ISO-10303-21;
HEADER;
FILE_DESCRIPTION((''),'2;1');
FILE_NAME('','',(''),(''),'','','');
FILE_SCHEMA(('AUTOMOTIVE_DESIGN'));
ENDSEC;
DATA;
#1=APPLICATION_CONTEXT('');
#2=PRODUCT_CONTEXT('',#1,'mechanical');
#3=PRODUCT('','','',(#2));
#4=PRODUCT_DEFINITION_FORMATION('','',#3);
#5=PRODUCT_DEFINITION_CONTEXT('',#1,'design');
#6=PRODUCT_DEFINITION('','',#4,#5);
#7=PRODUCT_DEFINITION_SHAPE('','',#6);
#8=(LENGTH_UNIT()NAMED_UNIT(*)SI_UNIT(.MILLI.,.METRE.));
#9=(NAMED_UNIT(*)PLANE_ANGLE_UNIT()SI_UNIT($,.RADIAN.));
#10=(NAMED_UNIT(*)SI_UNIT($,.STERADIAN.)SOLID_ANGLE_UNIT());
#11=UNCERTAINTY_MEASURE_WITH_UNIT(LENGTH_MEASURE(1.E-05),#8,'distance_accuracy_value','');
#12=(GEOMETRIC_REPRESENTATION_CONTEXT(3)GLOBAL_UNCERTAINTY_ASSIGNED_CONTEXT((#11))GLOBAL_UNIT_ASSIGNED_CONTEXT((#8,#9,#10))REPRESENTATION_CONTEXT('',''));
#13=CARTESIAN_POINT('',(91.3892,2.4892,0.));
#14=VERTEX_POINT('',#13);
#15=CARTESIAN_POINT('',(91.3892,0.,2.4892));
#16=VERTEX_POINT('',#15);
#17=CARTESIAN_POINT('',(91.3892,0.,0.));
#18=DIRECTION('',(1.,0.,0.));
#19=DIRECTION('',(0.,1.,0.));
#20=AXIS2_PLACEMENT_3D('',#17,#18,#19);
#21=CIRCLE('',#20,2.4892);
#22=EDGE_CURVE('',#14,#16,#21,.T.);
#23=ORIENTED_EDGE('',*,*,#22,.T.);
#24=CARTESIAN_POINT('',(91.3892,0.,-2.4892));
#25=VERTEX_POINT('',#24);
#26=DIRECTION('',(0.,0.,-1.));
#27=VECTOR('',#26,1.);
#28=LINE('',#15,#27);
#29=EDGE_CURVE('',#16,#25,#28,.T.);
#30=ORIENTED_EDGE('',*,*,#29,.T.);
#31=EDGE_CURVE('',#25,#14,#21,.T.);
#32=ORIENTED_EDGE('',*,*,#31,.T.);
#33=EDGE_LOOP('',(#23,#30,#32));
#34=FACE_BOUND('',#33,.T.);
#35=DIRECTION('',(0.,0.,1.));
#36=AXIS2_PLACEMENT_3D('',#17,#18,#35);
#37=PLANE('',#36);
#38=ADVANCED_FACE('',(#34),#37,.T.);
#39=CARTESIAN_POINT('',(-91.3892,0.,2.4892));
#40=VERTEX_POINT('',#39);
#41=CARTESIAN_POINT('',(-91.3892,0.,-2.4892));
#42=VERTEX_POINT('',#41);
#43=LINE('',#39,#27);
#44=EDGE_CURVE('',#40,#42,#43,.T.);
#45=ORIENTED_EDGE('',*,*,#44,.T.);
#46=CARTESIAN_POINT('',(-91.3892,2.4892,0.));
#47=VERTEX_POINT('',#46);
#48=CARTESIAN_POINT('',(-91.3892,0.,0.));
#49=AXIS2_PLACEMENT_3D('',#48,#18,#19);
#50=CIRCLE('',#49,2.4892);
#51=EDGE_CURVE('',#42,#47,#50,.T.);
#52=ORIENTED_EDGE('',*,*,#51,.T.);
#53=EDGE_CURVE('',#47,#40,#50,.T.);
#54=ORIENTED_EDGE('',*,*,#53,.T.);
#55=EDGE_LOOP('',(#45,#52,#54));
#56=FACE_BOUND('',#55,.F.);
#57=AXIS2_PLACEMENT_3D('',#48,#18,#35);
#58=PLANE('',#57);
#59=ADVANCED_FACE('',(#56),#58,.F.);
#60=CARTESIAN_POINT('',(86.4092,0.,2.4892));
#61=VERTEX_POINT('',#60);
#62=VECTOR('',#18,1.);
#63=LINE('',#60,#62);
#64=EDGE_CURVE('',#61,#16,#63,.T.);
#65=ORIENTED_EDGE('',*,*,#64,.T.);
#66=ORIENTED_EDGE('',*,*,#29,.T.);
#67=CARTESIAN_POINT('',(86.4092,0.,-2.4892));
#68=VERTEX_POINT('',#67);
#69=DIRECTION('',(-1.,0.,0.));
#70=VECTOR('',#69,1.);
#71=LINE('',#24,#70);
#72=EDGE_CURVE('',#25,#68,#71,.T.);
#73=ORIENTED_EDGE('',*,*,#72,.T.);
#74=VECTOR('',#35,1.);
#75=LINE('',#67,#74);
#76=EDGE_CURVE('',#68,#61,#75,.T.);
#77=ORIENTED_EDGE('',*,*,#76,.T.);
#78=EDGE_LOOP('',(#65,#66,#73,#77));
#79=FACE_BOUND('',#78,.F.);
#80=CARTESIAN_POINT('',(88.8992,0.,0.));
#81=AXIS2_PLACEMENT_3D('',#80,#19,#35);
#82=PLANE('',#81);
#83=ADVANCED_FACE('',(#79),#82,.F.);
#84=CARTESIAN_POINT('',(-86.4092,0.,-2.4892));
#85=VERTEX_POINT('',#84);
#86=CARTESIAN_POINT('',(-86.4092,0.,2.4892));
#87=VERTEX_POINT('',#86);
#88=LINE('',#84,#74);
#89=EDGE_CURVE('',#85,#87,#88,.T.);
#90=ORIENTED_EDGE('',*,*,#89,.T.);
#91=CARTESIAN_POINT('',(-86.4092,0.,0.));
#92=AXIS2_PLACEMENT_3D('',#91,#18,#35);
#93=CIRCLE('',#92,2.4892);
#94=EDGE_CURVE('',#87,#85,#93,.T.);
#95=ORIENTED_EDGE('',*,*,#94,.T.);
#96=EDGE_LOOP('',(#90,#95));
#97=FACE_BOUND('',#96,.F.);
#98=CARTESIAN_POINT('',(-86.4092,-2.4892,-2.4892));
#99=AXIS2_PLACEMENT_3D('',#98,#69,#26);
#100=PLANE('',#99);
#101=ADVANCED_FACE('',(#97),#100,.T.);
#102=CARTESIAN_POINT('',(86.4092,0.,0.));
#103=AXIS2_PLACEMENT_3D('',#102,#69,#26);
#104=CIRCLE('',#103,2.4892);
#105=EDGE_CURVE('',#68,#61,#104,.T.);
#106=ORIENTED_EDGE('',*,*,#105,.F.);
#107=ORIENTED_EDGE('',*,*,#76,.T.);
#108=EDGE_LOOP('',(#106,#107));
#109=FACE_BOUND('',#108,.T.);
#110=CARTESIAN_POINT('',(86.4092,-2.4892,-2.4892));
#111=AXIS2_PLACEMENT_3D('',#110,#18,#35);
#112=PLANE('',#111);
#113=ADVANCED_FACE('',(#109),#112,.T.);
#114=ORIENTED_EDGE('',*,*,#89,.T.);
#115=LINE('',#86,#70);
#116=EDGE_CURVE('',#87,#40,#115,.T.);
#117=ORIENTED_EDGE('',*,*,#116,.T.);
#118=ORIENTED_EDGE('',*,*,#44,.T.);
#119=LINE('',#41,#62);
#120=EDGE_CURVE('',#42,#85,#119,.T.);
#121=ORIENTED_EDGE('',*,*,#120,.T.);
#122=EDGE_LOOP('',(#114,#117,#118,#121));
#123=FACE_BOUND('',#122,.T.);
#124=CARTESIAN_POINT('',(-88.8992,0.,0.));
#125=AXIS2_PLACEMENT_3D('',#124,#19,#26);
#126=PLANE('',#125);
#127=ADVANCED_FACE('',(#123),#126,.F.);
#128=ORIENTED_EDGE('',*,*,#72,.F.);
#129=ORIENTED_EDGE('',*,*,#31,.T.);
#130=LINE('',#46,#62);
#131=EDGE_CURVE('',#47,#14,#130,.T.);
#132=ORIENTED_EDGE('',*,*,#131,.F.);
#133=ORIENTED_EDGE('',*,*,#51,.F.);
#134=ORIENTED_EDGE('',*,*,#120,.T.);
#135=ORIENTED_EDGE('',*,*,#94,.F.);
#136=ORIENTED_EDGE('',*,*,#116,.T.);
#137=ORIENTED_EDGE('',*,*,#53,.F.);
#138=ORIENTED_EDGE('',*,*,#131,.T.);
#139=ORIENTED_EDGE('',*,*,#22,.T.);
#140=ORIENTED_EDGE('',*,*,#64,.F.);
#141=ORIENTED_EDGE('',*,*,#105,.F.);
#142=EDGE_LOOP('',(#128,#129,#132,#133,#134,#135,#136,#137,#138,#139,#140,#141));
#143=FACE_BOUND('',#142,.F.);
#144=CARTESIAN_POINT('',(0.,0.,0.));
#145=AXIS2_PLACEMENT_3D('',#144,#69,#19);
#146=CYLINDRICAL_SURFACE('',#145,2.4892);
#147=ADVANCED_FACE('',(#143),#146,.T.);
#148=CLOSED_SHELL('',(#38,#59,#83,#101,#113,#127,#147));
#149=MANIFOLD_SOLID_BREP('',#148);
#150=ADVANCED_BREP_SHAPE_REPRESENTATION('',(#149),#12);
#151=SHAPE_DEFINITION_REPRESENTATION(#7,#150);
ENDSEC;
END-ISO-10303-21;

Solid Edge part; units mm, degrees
sketch "Sketch1" plane through (0, 0, 0) normal (1, 0, 0) x (0, 1, 0)
  circle A0 centre (0, 0) radius 2.4892
extrude "Protrusion1" add sketch "Sketch1" along normal mid plane 182.7784
sketch "Sketch2" plane through (0, -2.4892, 0) normal (0, -1, 0) x (1, 0, 0)
  line L0 (91.3892, 2.4892) -> (91.3892, -2.4892)
  line L1 (91.3892, -2.4892) -> (86.4092, -2.4892)
  line L2 (86.4092, -2.4892) -> (86.4092, 2.4892)
  line L3 (86.4092, 2.4892) -> (91.3892, 2.4892)
extrude "ExtrudedCutout_1" cut sketch "Sketch2" against normal blind 2.4892
mirror "Mirror1" about plane through (0, 0, 0) normal (1, 0, 0) of "ExtrudedCutout_1"
properties material "Wood, Pine"
